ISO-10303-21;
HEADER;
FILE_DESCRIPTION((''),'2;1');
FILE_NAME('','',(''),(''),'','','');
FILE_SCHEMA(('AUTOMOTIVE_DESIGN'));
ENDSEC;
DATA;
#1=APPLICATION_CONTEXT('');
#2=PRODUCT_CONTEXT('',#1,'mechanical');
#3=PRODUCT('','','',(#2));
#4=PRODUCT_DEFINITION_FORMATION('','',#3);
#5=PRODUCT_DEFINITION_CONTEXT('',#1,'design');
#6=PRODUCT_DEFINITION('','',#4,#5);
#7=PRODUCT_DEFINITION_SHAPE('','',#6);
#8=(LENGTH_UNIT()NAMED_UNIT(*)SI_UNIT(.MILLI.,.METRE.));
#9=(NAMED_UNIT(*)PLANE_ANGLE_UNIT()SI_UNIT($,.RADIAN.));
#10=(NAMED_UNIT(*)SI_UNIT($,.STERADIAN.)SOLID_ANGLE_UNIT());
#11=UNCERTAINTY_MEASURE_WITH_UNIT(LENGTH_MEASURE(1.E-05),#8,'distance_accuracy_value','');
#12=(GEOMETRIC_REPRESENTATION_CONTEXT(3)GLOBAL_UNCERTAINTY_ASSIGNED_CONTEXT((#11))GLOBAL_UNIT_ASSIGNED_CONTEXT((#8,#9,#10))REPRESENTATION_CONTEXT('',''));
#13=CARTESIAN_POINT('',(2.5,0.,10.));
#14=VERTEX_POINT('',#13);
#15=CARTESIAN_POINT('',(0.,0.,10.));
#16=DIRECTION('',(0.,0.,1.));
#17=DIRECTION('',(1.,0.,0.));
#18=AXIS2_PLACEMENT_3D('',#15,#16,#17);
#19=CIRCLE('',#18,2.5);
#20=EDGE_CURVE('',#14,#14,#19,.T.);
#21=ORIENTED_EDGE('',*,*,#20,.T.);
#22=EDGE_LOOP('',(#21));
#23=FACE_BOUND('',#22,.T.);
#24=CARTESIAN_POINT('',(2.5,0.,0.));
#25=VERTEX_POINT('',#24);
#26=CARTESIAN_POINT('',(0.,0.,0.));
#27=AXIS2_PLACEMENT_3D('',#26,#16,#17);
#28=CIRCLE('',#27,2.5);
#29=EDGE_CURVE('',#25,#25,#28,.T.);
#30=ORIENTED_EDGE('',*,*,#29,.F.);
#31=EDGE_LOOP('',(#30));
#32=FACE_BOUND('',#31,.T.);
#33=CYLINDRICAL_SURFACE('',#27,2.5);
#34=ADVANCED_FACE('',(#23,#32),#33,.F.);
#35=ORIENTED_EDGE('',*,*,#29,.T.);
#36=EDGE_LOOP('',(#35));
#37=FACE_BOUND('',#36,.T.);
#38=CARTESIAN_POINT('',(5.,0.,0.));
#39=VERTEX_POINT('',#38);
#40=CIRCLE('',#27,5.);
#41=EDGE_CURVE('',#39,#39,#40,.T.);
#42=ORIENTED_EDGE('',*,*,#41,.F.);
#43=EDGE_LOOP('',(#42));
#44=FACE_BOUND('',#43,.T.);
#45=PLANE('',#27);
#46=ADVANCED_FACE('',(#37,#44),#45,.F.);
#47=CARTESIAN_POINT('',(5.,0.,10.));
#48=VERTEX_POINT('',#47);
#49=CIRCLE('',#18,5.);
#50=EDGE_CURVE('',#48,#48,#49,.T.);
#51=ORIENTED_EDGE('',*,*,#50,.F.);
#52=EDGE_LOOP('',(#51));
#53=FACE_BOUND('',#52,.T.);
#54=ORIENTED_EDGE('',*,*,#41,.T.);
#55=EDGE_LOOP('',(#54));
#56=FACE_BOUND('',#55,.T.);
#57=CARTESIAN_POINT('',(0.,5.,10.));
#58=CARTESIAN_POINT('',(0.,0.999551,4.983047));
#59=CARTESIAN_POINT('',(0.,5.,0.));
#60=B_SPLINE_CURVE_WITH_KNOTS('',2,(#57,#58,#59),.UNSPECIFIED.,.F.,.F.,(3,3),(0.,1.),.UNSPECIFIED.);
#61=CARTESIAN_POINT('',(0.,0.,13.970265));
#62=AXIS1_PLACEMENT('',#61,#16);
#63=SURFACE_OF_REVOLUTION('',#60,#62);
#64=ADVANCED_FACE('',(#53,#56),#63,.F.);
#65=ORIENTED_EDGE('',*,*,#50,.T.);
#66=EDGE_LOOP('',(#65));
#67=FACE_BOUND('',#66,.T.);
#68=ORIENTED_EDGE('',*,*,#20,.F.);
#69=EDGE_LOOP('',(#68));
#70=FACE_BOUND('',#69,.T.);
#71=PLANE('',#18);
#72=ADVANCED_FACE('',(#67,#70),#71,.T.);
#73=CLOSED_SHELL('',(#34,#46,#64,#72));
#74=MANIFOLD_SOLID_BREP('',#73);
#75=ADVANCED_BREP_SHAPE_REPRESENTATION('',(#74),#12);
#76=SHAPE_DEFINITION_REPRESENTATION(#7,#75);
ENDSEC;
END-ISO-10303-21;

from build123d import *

# Parameters (mm, degrees)
SKETCH1_R           = 5
BOSS_EXTRUDE1_DEPTH = 10
SKETCH3_R           = 2.5
CUT_EXTRUDE1_DEPTH  = 11.0000001


with BuildPart() as part:
    # Sketch1 → Boss-Extrude1 (new body)
    with BuildSketch(Plane.XY):
        Circle(SKETCH1_R)
    extrude(amount=BOSS_EXTRUDE1_DEPTH)

    # Sketch2 → Cut-Revolve1 (revolve, cut)
    with BuildSketch(Plane(origin=(0, 0, 0), x_dir=(0, 0, -1), z_dir=(1, 0, 0))):
        with BuildLine():
            Line((-10, 5), (0, 5))
            add(Edge.make_bspline(
                [(-10, 5), (-4.983047183, 0.999551108), (0, 5)],
                knots=[0, 0, 0, 1, 1, 1], degree=2))
        make_face()
    revolve(axis=Axis((0, 0, 13.970265117), (0, 0, -1)), mode=Mode.SUBTRACT)

    # Sketch3 → Cut-Extrude1 (cut, through all)
    with BuildSketch(Plane.XY.offset(10)):
        Circle(SKETCH3_R)
    extrude(amount=-CUT_EXTRUDE1_DEPTH, mode=Mode.SUBTRACT)


solid = part.part
